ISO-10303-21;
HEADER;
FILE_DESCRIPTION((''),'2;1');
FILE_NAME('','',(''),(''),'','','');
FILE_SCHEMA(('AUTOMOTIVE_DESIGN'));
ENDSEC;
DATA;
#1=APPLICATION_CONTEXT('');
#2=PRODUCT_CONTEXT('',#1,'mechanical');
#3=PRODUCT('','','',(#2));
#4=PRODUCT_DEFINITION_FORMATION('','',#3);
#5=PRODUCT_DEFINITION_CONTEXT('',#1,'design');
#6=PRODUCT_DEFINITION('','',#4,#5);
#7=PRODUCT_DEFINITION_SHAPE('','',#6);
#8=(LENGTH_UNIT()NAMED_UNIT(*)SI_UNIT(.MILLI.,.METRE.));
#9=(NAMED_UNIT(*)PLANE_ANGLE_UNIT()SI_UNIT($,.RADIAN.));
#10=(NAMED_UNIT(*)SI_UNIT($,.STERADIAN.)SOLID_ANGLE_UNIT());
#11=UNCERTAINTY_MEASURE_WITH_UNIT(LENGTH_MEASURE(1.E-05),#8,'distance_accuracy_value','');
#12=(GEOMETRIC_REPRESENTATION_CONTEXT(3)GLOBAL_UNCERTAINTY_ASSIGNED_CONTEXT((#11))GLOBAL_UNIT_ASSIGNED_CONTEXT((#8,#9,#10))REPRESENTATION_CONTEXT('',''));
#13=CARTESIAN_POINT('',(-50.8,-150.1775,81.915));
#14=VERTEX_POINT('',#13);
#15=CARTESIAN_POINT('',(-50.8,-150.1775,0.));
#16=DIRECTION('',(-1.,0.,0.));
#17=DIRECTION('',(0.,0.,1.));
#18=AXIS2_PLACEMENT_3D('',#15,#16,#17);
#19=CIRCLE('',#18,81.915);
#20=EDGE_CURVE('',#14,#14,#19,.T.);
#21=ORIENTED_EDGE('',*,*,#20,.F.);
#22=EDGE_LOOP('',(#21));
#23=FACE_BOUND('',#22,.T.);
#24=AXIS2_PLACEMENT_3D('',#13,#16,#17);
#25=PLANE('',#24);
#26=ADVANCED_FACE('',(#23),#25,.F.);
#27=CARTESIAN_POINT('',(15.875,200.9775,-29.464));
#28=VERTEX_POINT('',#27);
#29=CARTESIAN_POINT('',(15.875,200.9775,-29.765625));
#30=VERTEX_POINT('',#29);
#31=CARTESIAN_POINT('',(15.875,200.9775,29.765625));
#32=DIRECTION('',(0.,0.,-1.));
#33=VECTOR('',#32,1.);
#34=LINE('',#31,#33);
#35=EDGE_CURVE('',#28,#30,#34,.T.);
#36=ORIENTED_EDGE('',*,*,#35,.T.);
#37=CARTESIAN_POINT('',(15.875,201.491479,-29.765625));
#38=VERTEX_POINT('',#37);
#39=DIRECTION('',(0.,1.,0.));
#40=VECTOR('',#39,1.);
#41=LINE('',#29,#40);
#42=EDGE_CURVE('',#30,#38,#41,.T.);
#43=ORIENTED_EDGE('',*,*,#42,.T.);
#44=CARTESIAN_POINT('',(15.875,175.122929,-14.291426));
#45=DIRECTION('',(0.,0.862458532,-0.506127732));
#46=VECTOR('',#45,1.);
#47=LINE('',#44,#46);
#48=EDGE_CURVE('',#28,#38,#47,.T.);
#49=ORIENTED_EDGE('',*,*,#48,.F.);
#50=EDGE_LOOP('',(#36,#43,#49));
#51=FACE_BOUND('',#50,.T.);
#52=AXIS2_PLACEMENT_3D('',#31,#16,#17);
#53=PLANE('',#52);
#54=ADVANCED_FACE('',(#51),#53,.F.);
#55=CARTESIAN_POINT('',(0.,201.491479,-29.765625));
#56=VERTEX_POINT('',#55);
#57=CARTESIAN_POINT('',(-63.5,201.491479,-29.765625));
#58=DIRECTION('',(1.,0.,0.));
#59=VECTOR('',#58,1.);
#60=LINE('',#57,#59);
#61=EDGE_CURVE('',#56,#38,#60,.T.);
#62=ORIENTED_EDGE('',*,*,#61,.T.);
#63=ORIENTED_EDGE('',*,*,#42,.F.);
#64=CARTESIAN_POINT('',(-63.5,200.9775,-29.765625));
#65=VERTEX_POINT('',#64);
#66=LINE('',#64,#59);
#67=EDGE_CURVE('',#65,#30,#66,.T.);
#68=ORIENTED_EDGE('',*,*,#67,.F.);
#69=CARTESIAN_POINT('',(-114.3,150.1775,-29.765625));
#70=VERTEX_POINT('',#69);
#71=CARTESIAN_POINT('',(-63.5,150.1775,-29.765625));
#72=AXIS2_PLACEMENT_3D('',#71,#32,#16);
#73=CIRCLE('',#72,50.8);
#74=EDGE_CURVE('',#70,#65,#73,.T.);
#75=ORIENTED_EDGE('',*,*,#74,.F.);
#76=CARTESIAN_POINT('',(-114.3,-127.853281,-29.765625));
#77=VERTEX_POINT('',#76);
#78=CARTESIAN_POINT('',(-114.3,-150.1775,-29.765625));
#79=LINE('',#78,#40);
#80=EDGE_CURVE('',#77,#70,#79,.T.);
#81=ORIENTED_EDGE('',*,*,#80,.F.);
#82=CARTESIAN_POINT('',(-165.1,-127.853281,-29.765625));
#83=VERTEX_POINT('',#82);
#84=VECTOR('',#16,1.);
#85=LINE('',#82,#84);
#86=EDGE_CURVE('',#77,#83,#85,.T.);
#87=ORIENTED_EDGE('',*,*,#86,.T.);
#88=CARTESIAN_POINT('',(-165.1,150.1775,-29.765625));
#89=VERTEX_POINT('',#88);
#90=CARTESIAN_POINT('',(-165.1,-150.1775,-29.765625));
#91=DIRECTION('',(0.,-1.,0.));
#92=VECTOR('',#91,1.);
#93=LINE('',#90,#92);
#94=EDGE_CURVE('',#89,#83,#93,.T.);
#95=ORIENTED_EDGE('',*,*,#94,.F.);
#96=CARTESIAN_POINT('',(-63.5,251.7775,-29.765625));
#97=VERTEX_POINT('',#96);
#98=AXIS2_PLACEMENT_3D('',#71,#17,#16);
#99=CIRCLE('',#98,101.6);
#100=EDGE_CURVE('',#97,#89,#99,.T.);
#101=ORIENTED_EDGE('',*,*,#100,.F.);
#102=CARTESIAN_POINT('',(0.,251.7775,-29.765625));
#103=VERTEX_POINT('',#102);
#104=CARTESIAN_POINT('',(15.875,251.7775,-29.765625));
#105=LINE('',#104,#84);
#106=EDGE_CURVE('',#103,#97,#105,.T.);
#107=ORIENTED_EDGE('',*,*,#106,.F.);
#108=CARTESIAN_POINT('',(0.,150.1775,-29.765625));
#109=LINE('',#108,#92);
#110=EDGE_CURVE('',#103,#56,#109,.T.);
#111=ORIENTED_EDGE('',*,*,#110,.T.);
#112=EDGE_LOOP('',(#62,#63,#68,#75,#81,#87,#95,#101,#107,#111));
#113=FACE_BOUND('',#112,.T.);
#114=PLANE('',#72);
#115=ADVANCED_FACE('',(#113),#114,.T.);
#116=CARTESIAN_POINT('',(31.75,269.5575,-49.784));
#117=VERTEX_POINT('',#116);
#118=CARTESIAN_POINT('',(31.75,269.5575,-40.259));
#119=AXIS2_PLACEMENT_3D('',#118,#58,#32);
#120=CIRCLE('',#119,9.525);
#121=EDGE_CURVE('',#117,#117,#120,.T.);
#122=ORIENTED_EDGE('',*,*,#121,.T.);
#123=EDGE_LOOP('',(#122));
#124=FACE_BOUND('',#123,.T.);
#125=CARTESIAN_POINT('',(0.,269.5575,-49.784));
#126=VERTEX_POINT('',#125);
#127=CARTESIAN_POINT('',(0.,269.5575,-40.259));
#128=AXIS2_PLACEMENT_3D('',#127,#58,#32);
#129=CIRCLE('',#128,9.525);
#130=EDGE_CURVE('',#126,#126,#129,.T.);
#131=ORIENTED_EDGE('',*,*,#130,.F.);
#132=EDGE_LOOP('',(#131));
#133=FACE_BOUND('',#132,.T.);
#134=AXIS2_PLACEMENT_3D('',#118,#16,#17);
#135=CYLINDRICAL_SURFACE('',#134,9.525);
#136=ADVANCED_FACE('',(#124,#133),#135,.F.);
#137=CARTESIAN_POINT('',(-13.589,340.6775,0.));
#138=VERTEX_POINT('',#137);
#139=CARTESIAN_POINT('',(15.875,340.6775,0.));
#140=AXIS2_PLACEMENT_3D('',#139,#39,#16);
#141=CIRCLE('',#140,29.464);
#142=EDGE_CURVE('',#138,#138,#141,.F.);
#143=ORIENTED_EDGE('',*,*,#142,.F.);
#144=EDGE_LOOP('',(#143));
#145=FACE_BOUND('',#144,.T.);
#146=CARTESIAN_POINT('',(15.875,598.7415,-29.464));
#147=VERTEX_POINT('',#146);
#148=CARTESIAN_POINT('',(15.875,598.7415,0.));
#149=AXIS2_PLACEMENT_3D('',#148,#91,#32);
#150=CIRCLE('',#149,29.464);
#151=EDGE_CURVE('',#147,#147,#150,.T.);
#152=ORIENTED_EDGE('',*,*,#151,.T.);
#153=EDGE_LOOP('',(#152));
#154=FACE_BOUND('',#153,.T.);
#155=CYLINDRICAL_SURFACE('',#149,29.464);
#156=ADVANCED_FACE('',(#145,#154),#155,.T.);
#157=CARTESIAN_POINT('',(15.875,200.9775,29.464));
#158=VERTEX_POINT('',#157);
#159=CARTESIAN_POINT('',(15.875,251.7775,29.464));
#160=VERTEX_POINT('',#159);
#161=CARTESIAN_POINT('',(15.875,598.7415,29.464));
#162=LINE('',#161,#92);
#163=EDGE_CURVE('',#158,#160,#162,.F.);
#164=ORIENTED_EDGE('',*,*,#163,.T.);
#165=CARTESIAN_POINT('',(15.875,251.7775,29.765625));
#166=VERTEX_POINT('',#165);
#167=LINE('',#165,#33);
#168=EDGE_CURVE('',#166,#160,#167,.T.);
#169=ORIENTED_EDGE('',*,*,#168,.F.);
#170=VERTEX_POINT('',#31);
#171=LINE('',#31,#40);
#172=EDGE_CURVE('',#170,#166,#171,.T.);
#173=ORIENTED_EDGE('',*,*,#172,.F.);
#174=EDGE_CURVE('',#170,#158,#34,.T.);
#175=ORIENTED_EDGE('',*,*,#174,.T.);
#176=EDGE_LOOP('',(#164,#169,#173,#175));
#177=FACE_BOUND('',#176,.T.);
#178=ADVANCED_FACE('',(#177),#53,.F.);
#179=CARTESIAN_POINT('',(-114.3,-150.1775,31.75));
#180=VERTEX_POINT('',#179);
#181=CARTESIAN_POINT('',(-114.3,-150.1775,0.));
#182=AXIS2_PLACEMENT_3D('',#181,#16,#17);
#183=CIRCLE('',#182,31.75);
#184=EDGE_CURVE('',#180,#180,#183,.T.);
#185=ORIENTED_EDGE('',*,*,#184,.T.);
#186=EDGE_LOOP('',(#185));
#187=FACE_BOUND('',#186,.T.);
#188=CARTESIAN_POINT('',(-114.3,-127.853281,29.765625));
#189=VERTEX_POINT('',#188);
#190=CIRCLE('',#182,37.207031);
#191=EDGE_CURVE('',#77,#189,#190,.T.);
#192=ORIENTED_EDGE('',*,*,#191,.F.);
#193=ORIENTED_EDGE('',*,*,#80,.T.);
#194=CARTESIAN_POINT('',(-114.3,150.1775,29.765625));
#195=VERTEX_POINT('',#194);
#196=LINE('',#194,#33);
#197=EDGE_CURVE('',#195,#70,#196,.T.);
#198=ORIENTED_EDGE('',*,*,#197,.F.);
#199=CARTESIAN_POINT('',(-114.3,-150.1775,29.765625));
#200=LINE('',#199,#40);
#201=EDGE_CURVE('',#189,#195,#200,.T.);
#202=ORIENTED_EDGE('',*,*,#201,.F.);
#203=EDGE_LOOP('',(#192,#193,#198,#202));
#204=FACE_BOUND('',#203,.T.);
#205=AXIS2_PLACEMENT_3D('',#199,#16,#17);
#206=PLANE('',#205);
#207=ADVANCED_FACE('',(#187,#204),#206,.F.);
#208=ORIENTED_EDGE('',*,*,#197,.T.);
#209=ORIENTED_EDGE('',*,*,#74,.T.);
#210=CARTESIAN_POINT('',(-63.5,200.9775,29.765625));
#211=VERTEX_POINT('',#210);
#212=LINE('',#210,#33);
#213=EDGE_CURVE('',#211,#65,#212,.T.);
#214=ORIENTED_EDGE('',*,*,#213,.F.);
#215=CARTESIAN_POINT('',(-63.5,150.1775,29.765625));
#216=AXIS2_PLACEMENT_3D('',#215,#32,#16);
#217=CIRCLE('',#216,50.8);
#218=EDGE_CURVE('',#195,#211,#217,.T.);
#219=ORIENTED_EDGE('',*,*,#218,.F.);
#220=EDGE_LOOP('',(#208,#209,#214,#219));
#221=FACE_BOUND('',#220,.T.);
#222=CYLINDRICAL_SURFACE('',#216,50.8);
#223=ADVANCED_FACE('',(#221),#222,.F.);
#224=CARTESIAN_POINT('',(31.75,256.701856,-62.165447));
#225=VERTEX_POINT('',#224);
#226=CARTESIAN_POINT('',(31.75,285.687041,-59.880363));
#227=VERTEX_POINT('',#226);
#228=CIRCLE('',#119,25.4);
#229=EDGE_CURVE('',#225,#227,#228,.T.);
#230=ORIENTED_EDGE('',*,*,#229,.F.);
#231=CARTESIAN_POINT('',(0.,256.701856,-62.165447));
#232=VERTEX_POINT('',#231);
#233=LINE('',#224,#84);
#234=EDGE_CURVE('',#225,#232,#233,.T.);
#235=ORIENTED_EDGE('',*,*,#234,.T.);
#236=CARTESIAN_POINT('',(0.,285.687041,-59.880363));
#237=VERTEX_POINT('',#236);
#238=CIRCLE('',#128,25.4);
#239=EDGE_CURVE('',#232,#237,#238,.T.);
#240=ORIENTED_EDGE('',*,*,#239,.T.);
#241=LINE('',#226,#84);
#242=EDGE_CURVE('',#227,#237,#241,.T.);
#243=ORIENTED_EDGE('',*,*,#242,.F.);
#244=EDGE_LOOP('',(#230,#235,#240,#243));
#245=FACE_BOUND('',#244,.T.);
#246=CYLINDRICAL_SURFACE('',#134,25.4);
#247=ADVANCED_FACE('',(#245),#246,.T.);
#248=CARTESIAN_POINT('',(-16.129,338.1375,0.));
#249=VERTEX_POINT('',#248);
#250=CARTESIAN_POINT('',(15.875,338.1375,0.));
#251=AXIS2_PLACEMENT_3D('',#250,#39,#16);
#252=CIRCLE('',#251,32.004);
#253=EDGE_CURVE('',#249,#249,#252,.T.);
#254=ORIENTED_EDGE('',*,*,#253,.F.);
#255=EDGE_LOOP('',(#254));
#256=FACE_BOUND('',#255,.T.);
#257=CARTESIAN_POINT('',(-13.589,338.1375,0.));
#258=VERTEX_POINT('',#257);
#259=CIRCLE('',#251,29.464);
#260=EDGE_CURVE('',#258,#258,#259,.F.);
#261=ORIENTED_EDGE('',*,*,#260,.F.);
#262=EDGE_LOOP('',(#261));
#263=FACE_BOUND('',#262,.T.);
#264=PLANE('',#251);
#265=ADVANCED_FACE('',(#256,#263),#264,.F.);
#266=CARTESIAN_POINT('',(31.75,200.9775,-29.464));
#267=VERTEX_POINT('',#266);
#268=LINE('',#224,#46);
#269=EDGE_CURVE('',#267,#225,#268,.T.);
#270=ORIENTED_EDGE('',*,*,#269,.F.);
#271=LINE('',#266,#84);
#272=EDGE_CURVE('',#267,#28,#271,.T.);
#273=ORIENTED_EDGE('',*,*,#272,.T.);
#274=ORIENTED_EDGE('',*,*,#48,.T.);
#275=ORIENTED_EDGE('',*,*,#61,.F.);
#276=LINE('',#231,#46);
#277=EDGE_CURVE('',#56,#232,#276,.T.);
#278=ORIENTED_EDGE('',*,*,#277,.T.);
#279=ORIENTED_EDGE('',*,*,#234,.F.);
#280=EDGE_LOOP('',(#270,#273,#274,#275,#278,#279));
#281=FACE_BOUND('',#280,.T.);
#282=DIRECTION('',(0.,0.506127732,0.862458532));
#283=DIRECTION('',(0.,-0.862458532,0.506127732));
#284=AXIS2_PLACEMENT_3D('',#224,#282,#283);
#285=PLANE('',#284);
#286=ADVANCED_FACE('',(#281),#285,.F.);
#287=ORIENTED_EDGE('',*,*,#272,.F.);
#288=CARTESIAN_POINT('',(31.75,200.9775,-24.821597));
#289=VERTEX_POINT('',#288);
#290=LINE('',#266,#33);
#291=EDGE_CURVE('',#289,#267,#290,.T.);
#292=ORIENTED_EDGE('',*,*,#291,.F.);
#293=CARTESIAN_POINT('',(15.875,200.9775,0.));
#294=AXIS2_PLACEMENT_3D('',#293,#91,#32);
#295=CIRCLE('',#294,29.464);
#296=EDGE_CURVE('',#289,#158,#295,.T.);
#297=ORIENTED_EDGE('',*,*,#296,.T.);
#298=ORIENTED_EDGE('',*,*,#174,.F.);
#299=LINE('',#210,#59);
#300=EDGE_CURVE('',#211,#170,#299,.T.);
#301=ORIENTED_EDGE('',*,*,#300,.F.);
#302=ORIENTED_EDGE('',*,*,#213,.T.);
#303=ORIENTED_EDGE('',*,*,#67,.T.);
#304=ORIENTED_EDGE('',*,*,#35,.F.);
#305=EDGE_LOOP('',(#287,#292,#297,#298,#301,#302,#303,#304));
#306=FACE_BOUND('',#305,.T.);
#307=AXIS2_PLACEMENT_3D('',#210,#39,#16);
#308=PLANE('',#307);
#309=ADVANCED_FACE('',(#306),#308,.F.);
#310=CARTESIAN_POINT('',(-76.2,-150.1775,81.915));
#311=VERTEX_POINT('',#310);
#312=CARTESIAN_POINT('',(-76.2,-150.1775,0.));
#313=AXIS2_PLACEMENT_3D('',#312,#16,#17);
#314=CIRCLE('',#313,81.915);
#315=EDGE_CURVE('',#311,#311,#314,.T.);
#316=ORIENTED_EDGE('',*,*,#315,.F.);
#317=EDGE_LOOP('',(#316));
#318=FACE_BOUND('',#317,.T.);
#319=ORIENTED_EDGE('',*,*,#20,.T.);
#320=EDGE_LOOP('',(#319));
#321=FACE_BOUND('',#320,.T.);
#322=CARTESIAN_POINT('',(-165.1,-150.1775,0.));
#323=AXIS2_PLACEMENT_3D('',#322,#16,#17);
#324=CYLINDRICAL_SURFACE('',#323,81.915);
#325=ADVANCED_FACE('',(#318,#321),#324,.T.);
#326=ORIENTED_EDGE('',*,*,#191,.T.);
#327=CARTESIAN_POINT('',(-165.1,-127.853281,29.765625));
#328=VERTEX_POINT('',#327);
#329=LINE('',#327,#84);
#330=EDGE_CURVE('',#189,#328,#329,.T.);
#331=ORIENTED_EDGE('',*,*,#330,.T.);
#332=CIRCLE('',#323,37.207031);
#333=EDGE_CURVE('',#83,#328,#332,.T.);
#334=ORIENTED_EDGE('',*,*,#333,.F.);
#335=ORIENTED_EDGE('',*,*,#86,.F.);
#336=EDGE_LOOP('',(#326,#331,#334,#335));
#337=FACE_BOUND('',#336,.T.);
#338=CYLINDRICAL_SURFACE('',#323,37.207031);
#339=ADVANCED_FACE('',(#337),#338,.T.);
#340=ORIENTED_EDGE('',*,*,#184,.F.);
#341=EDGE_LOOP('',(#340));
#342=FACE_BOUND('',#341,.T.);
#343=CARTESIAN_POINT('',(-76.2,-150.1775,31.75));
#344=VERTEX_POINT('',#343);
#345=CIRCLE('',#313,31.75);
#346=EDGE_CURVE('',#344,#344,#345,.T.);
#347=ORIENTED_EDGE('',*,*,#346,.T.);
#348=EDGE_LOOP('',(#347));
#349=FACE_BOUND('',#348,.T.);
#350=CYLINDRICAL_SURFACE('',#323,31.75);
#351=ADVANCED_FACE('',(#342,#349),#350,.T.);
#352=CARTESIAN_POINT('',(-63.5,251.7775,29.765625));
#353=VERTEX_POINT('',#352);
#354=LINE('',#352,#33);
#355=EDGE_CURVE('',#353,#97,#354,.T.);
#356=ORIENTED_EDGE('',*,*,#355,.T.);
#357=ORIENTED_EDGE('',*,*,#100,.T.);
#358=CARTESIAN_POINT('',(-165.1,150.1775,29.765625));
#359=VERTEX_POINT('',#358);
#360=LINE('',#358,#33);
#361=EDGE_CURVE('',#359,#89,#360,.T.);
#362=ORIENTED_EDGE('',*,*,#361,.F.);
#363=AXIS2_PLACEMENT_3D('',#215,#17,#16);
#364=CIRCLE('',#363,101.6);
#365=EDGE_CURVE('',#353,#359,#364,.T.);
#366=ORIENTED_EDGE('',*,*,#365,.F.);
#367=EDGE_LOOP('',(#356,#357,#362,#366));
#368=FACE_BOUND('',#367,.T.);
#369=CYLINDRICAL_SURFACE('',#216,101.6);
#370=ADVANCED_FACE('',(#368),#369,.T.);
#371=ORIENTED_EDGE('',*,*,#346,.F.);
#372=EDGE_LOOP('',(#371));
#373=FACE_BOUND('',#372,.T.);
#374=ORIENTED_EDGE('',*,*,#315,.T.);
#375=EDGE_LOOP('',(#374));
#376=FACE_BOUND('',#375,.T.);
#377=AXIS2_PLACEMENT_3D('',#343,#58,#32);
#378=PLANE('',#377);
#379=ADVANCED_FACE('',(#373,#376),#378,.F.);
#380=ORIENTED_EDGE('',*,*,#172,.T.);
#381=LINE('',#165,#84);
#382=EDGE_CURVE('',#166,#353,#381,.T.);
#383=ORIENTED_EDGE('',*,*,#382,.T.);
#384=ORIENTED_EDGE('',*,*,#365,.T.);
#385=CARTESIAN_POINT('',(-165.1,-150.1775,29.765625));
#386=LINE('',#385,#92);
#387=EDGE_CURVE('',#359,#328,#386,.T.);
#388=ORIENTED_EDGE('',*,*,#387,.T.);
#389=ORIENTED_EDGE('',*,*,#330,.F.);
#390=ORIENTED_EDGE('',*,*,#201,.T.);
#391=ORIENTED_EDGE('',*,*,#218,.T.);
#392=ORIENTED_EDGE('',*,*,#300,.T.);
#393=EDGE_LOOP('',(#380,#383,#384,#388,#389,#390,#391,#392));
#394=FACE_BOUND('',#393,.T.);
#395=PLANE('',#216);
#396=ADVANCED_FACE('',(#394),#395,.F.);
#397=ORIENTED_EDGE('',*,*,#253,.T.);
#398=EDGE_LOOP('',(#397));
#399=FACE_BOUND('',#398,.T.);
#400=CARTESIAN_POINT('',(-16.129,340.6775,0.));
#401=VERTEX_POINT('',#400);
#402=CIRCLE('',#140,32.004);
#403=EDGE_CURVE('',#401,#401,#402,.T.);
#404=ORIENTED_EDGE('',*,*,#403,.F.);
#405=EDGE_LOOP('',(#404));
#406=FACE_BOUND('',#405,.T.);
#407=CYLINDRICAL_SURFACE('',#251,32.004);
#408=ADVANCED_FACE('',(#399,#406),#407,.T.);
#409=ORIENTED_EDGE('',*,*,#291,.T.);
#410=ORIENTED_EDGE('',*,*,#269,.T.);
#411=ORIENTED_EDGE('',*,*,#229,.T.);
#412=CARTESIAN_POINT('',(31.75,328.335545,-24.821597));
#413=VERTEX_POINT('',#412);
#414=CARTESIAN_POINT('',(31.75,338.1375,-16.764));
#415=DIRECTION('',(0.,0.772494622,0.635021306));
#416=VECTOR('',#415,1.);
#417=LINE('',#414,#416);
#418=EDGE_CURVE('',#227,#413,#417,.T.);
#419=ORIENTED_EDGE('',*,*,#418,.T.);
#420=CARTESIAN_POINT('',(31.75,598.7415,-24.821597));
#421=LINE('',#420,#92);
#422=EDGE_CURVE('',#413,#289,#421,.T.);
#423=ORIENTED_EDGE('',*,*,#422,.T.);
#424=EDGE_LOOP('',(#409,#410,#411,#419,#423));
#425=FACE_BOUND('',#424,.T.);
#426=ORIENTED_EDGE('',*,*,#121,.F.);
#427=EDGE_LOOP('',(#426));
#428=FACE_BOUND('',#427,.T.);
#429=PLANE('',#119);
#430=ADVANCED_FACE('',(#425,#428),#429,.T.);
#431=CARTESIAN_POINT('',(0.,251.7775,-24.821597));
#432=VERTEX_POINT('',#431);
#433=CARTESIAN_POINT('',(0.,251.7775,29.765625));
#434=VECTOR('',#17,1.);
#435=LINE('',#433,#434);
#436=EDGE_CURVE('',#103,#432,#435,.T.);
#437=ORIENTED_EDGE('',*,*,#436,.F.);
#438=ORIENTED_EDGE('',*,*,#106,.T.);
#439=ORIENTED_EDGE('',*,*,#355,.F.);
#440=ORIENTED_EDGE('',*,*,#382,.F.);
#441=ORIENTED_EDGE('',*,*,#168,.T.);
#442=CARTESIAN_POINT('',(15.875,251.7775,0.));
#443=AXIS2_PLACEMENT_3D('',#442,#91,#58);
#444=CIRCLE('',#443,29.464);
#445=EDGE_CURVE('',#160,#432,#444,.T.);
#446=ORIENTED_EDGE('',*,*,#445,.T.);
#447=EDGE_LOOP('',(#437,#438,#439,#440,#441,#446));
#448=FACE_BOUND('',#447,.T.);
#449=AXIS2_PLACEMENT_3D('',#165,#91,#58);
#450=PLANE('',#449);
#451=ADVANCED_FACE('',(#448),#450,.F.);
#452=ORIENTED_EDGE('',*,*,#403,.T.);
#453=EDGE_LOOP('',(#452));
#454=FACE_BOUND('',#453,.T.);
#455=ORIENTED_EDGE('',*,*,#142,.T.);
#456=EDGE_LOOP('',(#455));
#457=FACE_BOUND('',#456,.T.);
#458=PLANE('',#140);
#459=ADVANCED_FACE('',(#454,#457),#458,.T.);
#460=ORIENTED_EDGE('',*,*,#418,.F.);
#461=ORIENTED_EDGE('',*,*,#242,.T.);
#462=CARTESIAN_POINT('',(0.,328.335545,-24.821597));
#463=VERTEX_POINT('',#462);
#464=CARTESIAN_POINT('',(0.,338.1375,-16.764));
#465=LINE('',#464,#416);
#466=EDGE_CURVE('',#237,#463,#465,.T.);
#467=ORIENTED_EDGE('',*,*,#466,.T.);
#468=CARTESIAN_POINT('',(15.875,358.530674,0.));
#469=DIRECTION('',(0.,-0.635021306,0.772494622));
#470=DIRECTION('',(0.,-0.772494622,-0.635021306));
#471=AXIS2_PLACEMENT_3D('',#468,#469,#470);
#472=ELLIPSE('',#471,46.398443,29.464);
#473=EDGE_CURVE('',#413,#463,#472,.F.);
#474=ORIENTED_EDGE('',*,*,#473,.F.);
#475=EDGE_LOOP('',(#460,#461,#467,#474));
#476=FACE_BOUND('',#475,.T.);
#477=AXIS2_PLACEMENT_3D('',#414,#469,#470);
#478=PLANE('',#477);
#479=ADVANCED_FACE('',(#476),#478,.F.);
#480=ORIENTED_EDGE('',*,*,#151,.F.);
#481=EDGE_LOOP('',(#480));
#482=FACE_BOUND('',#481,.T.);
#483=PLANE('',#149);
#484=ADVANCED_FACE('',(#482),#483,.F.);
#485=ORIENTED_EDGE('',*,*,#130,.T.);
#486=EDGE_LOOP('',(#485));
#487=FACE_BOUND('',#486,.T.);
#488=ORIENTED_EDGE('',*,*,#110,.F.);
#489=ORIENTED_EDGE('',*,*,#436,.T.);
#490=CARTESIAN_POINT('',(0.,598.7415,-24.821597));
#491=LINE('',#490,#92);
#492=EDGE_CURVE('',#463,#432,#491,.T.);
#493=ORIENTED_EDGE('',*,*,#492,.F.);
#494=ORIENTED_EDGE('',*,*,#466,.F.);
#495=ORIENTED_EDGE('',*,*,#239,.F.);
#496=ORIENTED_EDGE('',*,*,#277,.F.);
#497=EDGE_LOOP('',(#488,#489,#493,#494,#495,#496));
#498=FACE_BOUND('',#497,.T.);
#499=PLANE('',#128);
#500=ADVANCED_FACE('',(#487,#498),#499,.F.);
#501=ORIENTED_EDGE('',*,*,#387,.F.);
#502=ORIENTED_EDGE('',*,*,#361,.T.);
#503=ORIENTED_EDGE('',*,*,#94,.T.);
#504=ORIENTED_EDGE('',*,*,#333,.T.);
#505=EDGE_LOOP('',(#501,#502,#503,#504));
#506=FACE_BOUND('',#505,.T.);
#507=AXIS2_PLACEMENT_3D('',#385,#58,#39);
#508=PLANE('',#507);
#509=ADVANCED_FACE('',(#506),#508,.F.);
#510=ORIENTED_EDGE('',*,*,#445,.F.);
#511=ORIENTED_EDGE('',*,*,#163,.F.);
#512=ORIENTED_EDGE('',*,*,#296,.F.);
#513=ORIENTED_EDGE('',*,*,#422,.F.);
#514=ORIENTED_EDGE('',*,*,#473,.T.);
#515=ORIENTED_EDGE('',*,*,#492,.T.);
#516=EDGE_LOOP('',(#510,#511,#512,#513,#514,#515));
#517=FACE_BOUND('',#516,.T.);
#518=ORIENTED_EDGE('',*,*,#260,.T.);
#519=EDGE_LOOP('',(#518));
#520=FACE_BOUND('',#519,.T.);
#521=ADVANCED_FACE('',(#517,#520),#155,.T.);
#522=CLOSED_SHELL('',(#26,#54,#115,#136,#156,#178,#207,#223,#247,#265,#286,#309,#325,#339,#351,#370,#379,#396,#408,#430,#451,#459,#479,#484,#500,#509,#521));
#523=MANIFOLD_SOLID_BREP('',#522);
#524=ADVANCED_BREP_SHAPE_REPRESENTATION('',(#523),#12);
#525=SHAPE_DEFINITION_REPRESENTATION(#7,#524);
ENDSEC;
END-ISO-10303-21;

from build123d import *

# Parameters (mm, degrees)
BOSS_EXTRUDE1_DEPTH = 29.765625
SKETCH3_R           = 29.464
OLEOPIST_DEPTH      = 397.764
SKETCH5_R           = 32.004
REFMAXOLEO_DEPTH    = 2.54
SKETCH7_R           = 9.525
BOSS_EXTRUDE4_DEPTH = 15.875


with BuildPart() as part:
    # Sketch1 → Boss-Extrude1 (new, symmetric)
    with BuildSketch(Plane.XY):
        with BuildLine():
            Line((-114.3, -150.1775), (-114.3, 150.1775))
            ThreePointArc((-114.3, 150.1775), (-99.421024484, 186.098524484), (-63.5, 200.9775))
            Line((-63.5, 200.9775), (15.875, 200.9775))
            Line((15.875, 200.9775), (15.875, 251.7775))
            Line((15.875, 251.7775), (-63.5, 251.7775))
            ThreePointArc((-63.5, 251.7775), (-135.342048969, 222.019548969), (-165.1, 150.1775))
            Line((-165.1, 150.1775), (-165.1, -150.1775))
            Line((-165.1, -150.1775), (-114.3, -150.1775))
        make_face()
    extrude(amount=BOSS_EXTRUDE1_DEPTH, both=True)

    # Sketch2 → Revolve1 (revolve)
    with BuildSketch(Plane.XZ.offset(150.1775)):
        Polygon((-165.1, 0), (-114.3, 0), (-50.8, 0), (-50.8, 81.915), (-76.2, 81.915), (-76.2, 31.75), (-114.3, 31.75), (-114.3, 37.20703125), (-165.1, 37.20703125), align=None)
    revolve(axis=Axis((-165.1, -150.1775, 0), (1, 0, 0)))

    # Sketch3 → OleoPist (add)
    with BuildSketch(Plane.XZ.offset(-200.9775)):
        with Locations(Location((15.875, 0, 0), (0, 0, 237.398482094))):
            Circle(SKETCH3_R)
    extrude(amount=-OLEOPIST_DEPTH)

    # Sketch5 → RefMaxOleo (add)
    with BuildSketch(Plane(origin=(0, 340.6775, 0), x_dir=(1, 0, 0), z_dir=(0, 1, 0))):
        with Locations(Location((15.875, 0, 0), (0, 0, 180))):
            Circle(SKETCH5_R)
    extrude(amount=-REFMAXOLEO_DEPTH)

    # Sketch7 → Boss-Extrude4 (add, symmetric)
    with BuildSketch(Plane(origin=(15.875, -150.1775, 0), x_dir=(0, 0, -1), z_dir=(1, 0, 0))):
        with BuildLine():
            Line((16.764, 488.315), (59.880363403, 435.864541166))
            ThreePointArc((59.880363403, 435.864541166), (65.58043358, 421.731246842), (62.165446707, 406.879355611))
            Line((62.165446707, 406.879355611), (29.464, 351.155))
            Line((29.464, 351.155), (16.764, 351.155))
            Line((16.764, 351.155), (16.764, 488.315))
        make_face()
        with Locations((40.259, 419.735)):
            Circle(SKETCH7_R, mode=Mode.SUBTRACT)
    extrude(amount=BOSS_EXTRUDE4_DEPTH, both=True)


solid = part.part
